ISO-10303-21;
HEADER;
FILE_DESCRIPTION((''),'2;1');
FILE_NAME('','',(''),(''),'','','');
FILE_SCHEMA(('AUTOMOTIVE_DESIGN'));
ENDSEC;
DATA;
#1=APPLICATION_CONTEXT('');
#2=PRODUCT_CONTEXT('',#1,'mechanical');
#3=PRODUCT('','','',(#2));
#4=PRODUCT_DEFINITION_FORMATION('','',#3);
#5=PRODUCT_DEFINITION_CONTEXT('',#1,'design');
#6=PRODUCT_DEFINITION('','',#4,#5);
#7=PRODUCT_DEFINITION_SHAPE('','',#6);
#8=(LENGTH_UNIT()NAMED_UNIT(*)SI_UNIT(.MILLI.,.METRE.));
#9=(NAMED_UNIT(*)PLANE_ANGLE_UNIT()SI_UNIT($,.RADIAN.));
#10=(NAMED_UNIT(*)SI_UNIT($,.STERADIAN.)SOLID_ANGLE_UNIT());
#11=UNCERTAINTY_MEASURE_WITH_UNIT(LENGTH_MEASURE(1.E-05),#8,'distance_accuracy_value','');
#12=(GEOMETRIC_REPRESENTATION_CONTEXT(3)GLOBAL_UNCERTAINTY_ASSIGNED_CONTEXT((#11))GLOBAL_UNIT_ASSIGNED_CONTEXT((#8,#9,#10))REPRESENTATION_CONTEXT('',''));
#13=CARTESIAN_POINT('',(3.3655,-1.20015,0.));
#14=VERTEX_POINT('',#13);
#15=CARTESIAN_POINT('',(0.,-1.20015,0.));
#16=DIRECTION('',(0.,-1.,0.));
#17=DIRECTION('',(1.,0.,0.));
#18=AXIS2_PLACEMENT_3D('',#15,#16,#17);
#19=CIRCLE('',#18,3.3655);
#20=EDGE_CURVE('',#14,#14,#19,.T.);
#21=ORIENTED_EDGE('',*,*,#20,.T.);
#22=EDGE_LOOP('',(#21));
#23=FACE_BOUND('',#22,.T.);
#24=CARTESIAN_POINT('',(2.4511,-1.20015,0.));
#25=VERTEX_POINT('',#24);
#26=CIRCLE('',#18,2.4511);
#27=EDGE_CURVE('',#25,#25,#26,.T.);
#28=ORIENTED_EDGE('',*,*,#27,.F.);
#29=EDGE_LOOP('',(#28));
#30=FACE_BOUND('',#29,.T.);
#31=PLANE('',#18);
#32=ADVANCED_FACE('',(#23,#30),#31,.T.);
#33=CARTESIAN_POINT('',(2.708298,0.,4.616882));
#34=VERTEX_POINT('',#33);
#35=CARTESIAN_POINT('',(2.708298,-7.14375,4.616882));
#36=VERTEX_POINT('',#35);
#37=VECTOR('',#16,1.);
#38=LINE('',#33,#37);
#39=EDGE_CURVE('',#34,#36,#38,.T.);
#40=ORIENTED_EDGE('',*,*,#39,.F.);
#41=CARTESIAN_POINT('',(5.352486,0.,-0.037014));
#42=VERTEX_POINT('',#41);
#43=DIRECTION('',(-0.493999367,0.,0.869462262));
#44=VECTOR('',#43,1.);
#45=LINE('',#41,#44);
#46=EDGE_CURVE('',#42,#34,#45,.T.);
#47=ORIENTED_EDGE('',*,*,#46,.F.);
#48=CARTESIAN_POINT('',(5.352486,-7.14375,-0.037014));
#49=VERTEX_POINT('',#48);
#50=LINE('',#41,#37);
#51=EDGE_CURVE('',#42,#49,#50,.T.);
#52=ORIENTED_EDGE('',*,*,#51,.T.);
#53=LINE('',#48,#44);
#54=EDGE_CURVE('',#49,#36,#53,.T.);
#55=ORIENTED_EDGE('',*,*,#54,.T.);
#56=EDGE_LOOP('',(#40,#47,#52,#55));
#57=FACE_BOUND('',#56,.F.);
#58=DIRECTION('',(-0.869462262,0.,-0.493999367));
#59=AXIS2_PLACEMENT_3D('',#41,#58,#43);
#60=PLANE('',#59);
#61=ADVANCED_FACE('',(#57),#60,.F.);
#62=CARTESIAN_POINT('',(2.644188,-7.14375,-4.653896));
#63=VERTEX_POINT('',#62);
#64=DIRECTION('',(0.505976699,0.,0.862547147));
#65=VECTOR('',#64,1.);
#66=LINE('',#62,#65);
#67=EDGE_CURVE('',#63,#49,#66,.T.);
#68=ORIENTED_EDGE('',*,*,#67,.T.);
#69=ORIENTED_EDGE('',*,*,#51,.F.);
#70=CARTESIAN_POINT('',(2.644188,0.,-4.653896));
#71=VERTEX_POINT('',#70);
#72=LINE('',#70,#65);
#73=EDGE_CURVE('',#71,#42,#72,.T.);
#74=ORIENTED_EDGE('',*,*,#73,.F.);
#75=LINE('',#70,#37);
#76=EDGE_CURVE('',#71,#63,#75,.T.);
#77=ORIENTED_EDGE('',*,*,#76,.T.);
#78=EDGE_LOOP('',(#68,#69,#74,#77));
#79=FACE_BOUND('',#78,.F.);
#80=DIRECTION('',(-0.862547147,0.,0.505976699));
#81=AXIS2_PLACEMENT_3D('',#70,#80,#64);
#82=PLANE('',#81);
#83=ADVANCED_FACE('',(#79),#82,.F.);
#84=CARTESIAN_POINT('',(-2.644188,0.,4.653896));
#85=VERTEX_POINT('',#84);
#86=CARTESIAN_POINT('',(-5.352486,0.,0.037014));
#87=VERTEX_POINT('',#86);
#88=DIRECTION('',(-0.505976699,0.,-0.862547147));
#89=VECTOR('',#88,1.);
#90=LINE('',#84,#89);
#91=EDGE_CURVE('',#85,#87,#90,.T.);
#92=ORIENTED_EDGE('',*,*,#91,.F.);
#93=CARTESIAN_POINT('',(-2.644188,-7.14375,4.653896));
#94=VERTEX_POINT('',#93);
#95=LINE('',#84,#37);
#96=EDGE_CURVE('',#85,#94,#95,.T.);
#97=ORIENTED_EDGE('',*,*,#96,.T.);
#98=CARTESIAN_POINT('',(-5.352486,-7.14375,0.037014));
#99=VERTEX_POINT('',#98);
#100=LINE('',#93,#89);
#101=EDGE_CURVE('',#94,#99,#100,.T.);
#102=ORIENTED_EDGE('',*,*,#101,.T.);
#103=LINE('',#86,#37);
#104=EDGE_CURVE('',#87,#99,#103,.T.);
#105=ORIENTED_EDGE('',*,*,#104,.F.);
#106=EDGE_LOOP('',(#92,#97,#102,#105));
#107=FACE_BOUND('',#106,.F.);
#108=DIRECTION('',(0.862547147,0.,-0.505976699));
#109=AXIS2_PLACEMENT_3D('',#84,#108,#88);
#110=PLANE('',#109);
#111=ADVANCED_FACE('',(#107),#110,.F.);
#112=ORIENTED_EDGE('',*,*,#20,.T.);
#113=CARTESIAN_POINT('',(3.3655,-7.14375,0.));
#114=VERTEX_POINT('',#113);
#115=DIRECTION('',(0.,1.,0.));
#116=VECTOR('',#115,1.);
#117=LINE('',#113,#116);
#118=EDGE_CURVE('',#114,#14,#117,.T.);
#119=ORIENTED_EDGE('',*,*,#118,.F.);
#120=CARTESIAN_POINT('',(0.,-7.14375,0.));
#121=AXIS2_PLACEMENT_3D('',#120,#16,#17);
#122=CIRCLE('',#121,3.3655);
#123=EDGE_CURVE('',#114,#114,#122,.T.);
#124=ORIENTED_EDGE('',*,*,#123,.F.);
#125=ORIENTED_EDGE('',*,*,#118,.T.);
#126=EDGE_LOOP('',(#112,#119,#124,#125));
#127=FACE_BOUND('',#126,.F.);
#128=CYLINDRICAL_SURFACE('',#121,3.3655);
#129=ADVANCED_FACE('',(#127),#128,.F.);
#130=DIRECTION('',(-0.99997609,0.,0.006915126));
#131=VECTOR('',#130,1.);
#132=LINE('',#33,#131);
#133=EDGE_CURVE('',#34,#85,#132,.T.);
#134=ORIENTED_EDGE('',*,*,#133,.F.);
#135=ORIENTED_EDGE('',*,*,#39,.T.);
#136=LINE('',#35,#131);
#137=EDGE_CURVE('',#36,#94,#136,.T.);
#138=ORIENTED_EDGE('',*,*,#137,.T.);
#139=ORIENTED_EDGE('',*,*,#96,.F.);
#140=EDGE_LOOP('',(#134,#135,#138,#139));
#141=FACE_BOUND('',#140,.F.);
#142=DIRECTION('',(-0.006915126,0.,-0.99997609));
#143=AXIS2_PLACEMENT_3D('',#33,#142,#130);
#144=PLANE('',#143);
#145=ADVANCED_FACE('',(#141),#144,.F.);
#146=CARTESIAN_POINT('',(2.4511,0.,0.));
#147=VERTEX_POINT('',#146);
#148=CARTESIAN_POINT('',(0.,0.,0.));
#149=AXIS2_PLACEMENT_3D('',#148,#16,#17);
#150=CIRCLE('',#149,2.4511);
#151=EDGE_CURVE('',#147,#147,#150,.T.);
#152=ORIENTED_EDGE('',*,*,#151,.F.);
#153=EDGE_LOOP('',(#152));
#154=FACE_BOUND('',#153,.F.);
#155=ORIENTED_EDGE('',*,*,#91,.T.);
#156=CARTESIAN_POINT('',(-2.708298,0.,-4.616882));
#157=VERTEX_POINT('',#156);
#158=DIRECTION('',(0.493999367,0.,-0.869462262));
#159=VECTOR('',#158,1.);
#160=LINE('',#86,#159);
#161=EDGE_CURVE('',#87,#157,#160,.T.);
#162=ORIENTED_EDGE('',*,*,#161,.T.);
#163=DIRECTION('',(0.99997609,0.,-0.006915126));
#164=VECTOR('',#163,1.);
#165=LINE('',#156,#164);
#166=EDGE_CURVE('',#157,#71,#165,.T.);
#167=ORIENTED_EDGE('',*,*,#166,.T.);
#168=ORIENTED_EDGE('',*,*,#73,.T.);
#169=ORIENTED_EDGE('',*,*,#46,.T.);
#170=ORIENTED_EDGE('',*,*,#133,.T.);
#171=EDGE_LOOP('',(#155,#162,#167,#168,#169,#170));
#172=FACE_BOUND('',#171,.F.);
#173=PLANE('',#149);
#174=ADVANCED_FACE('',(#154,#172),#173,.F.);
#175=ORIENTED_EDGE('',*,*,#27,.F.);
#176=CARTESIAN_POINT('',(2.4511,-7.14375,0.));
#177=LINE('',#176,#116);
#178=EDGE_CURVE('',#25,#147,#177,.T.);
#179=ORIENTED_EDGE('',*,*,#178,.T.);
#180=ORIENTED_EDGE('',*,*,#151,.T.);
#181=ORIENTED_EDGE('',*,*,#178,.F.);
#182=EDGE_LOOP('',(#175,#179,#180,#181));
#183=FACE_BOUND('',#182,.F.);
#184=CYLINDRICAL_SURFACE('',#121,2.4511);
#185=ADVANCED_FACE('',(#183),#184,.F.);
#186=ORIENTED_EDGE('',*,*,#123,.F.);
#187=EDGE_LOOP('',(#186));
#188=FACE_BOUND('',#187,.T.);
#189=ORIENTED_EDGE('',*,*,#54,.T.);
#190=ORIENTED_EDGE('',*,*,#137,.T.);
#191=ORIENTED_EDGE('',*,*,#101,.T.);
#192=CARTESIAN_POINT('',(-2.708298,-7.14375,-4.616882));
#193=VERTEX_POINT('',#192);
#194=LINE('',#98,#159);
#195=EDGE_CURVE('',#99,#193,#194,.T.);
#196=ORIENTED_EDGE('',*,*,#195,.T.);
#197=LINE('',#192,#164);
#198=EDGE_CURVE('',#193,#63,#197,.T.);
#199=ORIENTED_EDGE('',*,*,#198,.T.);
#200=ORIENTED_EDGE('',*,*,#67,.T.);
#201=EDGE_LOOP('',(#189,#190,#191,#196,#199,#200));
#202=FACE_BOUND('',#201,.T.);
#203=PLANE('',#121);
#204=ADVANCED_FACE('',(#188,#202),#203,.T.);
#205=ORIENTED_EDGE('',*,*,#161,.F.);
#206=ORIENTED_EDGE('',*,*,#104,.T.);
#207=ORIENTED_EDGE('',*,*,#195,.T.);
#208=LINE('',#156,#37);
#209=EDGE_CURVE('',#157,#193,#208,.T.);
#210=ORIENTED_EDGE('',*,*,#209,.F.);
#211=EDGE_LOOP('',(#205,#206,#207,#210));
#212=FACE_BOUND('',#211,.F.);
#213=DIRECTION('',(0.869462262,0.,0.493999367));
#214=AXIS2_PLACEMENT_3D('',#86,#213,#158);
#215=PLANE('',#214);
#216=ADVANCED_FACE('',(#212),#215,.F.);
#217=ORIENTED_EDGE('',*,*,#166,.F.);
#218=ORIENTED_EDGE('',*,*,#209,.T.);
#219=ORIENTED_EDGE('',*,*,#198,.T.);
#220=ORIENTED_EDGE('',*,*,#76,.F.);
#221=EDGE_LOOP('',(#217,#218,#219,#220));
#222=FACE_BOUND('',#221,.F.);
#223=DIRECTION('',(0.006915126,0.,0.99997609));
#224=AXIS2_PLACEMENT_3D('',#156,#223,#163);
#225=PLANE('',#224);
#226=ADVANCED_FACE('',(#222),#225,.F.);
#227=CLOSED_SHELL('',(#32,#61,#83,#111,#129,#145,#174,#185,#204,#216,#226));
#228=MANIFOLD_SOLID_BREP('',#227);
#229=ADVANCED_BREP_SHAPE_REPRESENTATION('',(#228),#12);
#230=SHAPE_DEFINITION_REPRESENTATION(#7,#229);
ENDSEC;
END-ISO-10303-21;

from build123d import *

# Parameters (mm, degrees)
F1_DEPTH = 7.14375
F2_R     = 2.4511
F3_DEPTH = 7.14475
F4_R     = 3.3655
F5_DEPTH = 5.9436


with BuildPart() as f1:
    # F0 (on Front) → F1 (new body)
    with BuildSketch(Plane.XZ):
        Polygon((-2.644188, 4.653896), (-5.352486, 0.037014), (-2.708298, -4.616882), (2.644188, -4.653896), (5.352486, -0.037014), (2.708298, 4.616882), align=None)
    extrude(amount=F1_DEPTH)

    # F2 (on face) → F3 (cut, through all)
    with BuildSketch(Plane.XZ.offset(7.14375)):
        Circle(F2_R)
    extrude(amount=-F3_DEPTH, mode=Mode.SUBTRACT)

    # F4 (on face) → F5 (cut)
    with BuildSketch(Plane.XZ.offset(7.14375)):
        Circle(F4_R)
    extrude(amount=-F5_DEPTH, mode=Mode.SUBTRACT)


solid = f1.part
